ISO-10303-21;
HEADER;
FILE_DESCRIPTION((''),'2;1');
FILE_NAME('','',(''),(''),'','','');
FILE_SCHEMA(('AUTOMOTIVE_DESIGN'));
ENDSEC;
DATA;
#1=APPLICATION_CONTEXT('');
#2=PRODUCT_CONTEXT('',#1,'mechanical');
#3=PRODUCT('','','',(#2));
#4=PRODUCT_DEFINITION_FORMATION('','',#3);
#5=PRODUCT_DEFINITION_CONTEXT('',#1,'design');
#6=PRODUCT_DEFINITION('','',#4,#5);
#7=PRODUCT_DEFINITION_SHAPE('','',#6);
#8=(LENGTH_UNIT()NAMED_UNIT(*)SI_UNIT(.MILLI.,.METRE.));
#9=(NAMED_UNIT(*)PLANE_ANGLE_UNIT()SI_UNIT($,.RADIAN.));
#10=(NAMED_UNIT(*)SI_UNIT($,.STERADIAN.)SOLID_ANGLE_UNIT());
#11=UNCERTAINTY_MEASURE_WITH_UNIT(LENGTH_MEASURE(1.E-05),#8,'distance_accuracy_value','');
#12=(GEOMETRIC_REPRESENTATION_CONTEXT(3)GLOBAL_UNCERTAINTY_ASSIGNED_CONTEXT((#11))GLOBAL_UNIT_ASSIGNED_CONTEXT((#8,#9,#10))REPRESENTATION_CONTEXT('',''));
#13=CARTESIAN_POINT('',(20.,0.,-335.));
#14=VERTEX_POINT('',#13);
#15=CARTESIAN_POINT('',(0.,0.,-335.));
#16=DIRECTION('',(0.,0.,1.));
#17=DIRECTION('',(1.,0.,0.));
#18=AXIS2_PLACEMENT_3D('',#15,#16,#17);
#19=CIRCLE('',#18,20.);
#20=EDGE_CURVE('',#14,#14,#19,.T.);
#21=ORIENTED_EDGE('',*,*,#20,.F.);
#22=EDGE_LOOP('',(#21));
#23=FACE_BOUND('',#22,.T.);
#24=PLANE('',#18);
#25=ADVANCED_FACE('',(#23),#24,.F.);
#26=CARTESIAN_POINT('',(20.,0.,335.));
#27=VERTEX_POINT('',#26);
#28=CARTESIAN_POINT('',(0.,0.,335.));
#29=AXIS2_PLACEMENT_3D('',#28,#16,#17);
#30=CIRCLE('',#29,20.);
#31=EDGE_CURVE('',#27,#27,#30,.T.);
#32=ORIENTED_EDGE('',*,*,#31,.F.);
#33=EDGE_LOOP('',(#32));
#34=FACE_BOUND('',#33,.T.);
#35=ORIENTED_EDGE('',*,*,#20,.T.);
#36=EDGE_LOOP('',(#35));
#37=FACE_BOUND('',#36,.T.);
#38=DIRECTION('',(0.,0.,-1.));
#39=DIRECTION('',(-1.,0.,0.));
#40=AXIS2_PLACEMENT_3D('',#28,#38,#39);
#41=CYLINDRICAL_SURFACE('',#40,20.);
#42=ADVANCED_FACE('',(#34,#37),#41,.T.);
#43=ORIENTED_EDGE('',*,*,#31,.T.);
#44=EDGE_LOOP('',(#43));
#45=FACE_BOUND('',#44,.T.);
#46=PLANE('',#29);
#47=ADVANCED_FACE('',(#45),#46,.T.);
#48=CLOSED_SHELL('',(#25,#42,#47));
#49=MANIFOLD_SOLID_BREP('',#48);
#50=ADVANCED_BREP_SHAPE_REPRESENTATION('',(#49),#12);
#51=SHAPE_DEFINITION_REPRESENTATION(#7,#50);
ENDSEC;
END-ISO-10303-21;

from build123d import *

# Parameters (mm, degrees)
SKETCH1_R           = 20
BOSS_EXTRUDE1_DEPTH = 335


with BuildPart() as part:
    # Sketch1 → Boss-Extrude1 (new, symmetric)
    with BuildSketch(Plane.XY):
        Circle(SKETCH1_R)
    extrude(amount=BOSS_EXTRUDE1_DEPTH, both=True)


solid = part.part
